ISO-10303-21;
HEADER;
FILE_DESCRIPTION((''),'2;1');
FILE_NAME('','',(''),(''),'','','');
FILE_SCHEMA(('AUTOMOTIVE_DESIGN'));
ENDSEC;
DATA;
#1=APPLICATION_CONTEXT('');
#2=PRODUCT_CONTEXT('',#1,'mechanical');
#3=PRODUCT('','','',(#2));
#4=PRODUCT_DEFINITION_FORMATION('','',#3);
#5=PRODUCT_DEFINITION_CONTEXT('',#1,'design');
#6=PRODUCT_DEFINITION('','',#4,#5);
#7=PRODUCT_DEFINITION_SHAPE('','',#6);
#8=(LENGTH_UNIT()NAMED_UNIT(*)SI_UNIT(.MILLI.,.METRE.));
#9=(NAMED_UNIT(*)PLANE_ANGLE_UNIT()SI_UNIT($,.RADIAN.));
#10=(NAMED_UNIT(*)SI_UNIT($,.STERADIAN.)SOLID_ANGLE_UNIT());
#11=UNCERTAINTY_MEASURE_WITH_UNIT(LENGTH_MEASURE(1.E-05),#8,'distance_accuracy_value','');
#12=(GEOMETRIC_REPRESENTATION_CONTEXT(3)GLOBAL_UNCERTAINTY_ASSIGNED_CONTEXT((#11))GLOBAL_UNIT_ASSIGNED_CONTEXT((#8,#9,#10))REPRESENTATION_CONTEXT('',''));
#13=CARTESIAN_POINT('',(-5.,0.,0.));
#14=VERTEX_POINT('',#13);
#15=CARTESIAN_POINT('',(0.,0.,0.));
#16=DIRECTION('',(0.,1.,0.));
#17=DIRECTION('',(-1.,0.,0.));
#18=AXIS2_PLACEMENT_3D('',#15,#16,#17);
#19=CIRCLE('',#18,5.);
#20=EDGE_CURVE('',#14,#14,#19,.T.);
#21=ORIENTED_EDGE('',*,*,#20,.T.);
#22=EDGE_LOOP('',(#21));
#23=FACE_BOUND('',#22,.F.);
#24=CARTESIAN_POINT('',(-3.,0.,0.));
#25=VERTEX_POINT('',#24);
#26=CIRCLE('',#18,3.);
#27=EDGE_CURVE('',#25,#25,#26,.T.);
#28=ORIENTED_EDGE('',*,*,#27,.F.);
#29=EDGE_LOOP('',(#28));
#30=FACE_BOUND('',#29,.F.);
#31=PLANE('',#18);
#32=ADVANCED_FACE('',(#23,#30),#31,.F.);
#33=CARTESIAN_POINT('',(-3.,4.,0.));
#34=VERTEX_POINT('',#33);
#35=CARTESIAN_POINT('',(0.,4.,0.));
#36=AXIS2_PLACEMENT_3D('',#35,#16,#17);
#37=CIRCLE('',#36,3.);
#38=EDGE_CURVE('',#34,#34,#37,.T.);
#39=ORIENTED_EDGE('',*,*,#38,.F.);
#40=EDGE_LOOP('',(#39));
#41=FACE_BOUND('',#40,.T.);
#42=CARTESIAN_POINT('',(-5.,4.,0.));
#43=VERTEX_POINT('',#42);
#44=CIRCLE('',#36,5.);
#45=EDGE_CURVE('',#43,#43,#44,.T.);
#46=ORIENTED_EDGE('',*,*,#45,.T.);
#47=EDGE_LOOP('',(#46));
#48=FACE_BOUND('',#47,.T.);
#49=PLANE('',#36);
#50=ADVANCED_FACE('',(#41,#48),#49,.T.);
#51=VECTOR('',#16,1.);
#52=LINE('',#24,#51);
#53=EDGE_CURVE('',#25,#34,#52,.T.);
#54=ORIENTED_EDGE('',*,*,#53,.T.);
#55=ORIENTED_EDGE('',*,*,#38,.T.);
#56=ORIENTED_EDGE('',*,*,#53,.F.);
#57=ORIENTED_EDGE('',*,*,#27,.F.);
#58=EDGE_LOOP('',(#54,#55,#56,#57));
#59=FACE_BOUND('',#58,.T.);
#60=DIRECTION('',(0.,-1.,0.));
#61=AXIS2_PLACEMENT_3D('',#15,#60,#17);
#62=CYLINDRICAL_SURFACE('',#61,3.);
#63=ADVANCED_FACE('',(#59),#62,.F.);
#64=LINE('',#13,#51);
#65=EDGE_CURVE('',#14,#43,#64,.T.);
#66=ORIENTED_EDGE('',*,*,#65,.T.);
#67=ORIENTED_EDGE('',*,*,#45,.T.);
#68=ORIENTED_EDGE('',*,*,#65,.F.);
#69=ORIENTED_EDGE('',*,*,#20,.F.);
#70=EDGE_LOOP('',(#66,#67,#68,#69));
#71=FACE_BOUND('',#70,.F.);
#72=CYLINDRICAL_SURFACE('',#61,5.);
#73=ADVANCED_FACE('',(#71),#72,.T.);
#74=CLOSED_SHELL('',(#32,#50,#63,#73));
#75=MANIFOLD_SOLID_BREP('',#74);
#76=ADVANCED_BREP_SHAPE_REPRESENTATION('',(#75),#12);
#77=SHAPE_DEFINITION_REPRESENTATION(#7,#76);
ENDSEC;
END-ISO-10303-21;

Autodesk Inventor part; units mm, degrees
ref_plane "YZ Plane" through (0, 0, 0) normal (1, 0, 0) x (0, 1, 0)
ref_plane "XZ Plane" through (0, 0, 0) normal (0, 1, 0) x (-1, 0, 0)
ref_plane "XY Plane" through (0, 0, 0) normal (0, 0, 1) x (1, 0, 0)
sketch "スケッチ1" plane through (0, 0, 0) normal (0, 1, 0) x (-1, 0, 0)
  circle A0 centre (0, 0) radius 3
  circle A1 centre (0, 0) radius 5
  dimension "d0" = 6
  dimension "d1" = 10
extrude "押し出し1" add sketch "スケッチ1" along normal blind 4
properties part number "ベアリング0610.3t" material "ステンレス鋼"
